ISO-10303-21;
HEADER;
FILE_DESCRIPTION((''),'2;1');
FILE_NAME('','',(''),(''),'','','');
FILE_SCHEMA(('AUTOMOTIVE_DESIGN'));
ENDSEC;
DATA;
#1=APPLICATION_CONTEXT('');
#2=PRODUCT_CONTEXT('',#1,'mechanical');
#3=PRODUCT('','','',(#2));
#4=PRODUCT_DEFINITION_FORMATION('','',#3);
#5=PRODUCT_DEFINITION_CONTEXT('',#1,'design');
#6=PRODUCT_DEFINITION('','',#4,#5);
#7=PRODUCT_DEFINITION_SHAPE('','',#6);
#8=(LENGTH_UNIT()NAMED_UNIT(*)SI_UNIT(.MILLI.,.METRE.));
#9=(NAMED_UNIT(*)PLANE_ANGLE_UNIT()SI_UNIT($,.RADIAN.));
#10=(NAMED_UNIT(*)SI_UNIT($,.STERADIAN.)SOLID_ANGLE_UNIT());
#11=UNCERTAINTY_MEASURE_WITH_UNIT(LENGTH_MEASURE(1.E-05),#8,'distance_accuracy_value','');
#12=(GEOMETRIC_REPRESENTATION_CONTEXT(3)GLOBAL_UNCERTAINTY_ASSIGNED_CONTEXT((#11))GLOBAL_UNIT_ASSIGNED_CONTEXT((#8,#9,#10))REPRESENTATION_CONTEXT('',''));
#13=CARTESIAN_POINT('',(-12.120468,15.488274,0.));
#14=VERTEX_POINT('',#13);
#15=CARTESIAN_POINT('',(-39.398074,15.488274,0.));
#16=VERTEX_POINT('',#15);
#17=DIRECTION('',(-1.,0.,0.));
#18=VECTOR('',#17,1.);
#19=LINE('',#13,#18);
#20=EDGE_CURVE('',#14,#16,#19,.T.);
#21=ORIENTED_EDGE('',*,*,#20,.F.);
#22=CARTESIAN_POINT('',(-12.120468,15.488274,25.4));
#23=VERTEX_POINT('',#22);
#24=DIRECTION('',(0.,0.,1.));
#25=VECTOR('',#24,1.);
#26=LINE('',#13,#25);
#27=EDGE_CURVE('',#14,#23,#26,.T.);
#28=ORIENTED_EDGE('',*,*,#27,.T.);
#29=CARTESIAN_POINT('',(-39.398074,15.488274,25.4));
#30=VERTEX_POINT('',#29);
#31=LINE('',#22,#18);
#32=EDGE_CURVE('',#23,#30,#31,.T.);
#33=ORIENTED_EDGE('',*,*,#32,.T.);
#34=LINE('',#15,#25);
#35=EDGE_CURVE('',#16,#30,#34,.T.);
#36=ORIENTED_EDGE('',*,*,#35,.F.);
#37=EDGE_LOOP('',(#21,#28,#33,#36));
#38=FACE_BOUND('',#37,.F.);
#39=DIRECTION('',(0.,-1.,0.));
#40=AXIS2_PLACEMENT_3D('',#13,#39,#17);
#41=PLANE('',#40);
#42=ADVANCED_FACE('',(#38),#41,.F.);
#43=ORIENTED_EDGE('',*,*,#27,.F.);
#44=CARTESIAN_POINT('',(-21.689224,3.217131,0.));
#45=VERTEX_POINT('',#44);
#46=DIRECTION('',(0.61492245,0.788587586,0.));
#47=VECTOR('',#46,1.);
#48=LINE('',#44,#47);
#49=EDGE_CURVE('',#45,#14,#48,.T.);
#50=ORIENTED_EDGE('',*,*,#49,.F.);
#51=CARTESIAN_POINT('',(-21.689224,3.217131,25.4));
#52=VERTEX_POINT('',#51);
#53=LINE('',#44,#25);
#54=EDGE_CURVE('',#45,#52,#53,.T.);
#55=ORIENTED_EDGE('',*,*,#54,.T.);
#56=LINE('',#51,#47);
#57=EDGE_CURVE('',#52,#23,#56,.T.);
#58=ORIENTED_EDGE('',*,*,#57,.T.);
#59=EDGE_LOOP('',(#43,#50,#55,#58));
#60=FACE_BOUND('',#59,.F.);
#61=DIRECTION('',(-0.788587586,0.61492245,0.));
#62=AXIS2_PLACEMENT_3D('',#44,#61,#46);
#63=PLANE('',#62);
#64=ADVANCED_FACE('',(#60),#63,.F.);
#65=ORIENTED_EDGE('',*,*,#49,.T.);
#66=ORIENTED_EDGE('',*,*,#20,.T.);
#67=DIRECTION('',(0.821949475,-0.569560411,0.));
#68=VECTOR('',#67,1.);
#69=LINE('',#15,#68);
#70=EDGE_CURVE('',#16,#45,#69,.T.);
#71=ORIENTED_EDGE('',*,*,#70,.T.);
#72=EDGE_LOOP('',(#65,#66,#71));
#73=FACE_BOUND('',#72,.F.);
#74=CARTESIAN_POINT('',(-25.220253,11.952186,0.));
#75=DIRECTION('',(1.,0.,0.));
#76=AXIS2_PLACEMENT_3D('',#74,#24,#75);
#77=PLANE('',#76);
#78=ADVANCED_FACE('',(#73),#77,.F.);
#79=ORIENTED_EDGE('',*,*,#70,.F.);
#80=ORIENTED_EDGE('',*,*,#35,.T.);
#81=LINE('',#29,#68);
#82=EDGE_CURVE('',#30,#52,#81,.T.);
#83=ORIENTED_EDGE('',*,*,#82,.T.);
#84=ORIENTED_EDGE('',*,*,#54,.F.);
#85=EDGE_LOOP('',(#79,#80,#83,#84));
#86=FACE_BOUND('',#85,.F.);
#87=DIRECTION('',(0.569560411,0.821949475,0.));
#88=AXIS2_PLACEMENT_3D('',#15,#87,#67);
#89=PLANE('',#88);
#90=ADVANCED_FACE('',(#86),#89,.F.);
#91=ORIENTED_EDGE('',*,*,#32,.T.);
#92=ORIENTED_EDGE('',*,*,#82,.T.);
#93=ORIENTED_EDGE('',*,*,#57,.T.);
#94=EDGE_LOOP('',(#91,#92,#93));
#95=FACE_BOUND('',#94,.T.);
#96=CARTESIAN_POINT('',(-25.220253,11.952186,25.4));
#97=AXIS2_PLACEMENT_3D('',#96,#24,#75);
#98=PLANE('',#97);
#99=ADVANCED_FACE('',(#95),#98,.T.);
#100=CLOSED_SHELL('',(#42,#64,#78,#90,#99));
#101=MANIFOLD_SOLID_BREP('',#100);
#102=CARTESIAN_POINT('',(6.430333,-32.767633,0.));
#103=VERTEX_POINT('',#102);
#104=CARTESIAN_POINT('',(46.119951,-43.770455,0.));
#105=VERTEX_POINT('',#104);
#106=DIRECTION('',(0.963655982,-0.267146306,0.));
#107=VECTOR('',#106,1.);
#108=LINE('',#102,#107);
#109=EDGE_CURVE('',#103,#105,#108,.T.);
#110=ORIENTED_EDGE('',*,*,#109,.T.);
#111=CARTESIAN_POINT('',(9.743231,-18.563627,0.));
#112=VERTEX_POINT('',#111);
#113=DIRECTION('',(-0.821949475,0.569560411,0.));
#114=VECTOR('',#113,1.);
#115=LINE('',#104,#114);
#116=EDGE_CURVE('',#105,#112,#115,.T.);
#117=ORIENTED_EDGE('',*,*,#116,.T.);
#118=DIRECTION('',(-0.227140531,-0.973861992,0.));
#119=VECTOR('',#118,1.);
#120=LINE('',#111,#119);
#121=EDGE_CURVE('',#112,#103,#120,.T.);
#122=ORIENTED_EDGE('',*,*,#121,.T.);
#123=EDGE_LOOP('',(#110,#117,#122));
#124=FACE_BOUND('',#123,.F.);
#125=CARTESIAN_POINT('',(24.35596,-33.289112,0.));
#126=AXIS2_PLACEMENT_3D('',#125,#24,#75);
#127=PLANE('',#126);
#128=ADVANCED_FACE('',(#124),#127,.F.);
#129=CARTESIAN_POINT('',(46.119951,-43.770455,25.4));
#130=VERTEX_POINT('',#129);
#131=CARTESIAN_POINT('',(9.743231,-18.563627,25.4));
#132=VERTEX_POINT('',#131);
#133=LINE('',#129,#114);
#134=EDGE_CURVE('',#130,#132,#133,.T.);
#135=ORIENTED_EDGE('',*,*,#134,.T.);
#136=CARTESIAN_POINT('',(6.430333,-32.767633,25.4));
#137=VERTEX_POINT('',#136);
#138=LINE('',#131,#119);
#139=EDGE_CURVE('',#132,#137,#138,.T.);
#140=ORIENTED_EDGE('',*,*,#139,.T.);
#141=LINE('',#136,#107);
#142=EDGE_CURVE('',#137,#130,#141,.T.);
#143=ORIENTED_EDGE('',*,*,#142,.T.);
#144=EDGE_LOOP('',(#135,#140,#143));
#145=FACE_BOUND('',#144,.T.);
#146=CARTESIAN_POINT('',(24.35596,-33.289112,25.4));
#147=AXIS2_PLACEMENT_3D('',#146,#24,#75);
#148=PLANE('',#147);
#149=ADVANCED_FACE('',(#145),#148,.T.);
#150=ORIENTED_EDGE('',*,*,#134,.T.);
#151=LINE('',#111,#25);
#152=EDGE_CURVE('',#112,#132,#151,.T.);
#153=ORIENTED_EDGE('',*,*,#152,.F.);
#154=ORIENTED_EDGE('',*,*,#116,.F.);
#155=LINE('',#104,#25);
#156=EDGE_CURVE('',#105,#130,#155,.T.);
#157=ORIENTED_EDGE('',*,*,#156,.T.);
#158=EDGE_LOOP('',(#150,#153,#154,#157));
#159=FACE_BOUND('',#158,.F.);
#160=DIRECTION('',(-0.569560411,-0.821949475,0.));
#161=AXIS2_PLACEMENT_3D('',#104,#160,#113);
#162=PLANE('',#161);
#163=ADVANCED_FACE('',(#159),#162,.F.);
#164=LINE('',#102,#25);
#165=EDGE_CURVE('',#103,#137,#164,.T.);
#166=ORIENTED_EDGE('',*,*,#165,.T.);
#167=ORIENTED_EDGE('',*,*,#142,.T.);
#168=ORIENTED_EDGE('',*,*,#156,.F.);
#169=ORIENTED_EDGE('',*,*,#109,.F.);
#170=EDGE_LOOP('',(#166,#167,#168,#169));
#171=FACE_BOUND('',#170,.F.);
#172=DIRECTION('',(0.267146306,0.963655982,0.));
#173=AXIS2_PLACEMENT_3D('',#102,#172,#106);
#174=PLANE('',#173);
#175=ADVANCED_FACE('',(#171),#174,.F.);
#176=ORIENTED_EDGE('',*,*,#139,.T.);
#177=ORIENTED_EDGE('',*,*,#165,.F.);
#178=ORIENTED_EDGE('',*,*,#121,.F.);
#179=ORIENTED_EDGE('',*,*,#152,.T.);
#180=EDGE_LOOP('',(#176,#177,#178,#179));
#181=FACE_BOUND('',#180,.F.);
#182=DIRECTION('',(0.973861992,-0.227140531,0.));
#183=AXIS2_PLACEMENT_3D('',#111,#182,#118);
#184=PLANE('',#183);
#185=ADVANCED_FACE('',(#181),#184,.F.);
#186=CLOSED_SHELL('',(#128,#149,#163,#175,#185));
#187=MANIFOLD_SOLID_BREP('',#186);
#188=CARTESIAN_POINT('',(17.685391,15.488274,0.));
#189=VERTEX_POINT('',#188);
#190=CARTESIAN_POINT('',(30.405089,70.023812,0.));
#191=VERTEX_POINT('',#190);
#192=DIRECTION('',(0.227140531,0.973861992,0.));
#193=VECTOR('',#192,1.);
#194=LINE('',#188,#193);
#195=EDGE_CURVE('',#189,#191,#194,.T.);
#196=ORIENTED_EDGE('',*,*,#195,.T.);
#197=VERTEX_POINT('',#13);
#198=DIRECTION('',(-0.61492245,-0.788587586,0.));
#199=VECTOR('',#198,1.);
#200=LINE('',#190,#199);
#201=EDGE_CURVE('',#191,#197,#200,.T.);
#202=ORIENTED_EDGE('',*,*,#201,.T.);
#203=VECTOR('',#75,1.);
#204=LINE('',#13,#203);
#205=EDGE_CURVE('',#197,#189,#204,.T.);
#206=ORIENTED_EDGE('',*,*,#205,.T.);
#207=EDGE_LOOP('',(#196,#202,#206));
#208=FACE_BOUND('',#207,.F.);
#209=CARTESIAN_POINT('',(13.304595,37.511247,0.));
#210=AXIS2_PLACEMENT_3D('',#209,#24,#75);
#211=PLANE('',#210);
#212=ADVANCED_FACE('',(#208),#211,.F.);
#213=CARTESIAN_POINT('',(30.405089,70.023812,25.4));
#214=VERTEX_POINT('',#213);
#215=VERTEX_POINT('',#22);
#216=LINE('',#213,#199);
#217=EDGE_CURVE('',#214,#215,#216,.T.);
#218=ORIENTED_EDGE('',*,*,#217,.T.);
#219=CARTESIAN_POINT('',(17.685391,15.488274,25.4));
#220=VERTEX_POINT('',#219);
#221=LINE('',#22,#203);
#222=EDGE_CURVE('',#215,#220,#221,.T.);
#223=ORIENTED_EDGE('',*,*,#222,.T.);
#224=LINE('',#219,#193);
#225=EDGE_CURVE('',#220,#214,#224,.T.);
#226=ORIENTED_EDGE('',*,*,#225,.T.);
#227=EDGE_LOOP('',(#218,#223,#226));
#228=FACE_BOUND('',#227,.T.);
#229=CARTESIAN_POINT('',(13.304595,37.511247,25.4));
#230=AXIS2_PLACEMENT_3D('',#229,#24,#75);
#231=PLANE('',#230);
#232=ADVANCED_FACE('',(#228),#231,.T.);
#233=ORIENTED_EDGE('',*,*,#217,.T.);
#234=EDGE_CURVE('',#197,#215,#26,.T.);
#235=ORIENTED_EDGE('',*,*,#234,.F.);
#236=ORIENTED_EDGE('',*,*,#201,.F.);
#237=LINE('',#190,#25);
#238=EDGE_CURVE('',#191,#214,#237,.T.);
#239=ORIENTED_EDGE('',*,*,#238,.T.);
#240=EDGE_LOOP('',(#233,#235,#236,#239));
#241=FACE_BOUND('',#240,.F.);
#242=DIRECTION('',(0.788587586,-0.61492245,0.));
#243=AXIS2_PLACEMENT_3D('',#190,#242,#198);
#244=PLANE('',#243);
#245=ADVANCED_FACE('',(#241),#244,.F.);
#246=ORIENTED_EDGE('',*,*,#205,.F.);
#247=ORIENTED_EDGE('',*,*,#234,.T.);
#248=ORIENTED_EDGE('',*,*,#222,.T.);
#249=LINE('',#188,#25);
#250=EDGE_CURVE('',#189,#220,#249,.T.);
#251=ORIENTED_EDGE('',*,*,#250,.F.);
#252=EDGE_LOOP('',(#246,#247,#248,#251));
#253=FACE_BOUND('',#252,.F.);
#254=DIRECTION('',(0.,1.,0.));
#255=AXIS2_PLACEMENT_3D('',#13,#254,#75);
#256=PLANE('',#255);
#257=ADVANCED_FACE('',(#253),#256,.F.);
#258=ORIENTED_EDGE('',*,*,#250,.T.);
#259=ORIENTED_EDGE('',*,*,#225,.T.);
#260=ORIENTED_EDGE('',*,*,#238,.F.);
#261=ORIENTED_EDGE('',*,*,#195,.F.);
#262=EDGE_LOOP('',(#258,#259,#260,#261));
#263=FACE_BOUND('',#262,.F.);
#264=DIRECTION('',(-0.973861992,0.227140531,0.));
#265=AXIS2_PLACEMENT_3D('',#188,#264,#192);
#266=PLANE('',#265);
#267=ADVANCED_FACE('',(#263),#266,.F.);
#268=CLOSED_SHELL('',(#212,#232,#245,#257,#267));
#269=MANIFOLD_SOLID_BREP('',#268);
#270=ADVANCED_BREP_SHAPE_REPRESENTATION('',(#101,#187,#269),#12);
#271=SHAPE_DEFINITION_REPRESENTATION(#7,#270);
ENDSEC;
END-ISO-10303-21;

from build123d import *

# Parameters (mm, degrees)
F1_DEPTH = 25.4


with BuildPart() as f1:
    # F0 (on Top) → F1 (new body)
    with BuildSketch(Plane.XY):
        Polygon((46.1199507117, -43.770454824), (9.7432314694, -18.5636266851), (6.4303332797, -32.7676333823), align=None)
    extrude(amount=F1_DEPTH)


with BuildPart() as f1b:
    # F0 (on Top) → F1, piece 2 (new body)
    with BuildSketch(Plane.XY):
        Polygon((-21.6892235965, 3.2171306052), (-12.1204680922, 15.4882743955), (-39.3980741501, 15.4882743955), align=None)
    extrude(amount=F1_DEPTH)


with BuildPart() as f1c:
    # F0 (on Top) → F1, piece 3 (new body)
    with BuildSketch(Plane.XY):
        Polygon((-12.1204680922, 15.4882743955), (17.6853905975, 15.4882743955), (30.4050892591, 70.0238123536), align=None)
    extrude(amount=F1_DEPTH)


solid = Compound([f1.part, f1b.part, f1c.part])
